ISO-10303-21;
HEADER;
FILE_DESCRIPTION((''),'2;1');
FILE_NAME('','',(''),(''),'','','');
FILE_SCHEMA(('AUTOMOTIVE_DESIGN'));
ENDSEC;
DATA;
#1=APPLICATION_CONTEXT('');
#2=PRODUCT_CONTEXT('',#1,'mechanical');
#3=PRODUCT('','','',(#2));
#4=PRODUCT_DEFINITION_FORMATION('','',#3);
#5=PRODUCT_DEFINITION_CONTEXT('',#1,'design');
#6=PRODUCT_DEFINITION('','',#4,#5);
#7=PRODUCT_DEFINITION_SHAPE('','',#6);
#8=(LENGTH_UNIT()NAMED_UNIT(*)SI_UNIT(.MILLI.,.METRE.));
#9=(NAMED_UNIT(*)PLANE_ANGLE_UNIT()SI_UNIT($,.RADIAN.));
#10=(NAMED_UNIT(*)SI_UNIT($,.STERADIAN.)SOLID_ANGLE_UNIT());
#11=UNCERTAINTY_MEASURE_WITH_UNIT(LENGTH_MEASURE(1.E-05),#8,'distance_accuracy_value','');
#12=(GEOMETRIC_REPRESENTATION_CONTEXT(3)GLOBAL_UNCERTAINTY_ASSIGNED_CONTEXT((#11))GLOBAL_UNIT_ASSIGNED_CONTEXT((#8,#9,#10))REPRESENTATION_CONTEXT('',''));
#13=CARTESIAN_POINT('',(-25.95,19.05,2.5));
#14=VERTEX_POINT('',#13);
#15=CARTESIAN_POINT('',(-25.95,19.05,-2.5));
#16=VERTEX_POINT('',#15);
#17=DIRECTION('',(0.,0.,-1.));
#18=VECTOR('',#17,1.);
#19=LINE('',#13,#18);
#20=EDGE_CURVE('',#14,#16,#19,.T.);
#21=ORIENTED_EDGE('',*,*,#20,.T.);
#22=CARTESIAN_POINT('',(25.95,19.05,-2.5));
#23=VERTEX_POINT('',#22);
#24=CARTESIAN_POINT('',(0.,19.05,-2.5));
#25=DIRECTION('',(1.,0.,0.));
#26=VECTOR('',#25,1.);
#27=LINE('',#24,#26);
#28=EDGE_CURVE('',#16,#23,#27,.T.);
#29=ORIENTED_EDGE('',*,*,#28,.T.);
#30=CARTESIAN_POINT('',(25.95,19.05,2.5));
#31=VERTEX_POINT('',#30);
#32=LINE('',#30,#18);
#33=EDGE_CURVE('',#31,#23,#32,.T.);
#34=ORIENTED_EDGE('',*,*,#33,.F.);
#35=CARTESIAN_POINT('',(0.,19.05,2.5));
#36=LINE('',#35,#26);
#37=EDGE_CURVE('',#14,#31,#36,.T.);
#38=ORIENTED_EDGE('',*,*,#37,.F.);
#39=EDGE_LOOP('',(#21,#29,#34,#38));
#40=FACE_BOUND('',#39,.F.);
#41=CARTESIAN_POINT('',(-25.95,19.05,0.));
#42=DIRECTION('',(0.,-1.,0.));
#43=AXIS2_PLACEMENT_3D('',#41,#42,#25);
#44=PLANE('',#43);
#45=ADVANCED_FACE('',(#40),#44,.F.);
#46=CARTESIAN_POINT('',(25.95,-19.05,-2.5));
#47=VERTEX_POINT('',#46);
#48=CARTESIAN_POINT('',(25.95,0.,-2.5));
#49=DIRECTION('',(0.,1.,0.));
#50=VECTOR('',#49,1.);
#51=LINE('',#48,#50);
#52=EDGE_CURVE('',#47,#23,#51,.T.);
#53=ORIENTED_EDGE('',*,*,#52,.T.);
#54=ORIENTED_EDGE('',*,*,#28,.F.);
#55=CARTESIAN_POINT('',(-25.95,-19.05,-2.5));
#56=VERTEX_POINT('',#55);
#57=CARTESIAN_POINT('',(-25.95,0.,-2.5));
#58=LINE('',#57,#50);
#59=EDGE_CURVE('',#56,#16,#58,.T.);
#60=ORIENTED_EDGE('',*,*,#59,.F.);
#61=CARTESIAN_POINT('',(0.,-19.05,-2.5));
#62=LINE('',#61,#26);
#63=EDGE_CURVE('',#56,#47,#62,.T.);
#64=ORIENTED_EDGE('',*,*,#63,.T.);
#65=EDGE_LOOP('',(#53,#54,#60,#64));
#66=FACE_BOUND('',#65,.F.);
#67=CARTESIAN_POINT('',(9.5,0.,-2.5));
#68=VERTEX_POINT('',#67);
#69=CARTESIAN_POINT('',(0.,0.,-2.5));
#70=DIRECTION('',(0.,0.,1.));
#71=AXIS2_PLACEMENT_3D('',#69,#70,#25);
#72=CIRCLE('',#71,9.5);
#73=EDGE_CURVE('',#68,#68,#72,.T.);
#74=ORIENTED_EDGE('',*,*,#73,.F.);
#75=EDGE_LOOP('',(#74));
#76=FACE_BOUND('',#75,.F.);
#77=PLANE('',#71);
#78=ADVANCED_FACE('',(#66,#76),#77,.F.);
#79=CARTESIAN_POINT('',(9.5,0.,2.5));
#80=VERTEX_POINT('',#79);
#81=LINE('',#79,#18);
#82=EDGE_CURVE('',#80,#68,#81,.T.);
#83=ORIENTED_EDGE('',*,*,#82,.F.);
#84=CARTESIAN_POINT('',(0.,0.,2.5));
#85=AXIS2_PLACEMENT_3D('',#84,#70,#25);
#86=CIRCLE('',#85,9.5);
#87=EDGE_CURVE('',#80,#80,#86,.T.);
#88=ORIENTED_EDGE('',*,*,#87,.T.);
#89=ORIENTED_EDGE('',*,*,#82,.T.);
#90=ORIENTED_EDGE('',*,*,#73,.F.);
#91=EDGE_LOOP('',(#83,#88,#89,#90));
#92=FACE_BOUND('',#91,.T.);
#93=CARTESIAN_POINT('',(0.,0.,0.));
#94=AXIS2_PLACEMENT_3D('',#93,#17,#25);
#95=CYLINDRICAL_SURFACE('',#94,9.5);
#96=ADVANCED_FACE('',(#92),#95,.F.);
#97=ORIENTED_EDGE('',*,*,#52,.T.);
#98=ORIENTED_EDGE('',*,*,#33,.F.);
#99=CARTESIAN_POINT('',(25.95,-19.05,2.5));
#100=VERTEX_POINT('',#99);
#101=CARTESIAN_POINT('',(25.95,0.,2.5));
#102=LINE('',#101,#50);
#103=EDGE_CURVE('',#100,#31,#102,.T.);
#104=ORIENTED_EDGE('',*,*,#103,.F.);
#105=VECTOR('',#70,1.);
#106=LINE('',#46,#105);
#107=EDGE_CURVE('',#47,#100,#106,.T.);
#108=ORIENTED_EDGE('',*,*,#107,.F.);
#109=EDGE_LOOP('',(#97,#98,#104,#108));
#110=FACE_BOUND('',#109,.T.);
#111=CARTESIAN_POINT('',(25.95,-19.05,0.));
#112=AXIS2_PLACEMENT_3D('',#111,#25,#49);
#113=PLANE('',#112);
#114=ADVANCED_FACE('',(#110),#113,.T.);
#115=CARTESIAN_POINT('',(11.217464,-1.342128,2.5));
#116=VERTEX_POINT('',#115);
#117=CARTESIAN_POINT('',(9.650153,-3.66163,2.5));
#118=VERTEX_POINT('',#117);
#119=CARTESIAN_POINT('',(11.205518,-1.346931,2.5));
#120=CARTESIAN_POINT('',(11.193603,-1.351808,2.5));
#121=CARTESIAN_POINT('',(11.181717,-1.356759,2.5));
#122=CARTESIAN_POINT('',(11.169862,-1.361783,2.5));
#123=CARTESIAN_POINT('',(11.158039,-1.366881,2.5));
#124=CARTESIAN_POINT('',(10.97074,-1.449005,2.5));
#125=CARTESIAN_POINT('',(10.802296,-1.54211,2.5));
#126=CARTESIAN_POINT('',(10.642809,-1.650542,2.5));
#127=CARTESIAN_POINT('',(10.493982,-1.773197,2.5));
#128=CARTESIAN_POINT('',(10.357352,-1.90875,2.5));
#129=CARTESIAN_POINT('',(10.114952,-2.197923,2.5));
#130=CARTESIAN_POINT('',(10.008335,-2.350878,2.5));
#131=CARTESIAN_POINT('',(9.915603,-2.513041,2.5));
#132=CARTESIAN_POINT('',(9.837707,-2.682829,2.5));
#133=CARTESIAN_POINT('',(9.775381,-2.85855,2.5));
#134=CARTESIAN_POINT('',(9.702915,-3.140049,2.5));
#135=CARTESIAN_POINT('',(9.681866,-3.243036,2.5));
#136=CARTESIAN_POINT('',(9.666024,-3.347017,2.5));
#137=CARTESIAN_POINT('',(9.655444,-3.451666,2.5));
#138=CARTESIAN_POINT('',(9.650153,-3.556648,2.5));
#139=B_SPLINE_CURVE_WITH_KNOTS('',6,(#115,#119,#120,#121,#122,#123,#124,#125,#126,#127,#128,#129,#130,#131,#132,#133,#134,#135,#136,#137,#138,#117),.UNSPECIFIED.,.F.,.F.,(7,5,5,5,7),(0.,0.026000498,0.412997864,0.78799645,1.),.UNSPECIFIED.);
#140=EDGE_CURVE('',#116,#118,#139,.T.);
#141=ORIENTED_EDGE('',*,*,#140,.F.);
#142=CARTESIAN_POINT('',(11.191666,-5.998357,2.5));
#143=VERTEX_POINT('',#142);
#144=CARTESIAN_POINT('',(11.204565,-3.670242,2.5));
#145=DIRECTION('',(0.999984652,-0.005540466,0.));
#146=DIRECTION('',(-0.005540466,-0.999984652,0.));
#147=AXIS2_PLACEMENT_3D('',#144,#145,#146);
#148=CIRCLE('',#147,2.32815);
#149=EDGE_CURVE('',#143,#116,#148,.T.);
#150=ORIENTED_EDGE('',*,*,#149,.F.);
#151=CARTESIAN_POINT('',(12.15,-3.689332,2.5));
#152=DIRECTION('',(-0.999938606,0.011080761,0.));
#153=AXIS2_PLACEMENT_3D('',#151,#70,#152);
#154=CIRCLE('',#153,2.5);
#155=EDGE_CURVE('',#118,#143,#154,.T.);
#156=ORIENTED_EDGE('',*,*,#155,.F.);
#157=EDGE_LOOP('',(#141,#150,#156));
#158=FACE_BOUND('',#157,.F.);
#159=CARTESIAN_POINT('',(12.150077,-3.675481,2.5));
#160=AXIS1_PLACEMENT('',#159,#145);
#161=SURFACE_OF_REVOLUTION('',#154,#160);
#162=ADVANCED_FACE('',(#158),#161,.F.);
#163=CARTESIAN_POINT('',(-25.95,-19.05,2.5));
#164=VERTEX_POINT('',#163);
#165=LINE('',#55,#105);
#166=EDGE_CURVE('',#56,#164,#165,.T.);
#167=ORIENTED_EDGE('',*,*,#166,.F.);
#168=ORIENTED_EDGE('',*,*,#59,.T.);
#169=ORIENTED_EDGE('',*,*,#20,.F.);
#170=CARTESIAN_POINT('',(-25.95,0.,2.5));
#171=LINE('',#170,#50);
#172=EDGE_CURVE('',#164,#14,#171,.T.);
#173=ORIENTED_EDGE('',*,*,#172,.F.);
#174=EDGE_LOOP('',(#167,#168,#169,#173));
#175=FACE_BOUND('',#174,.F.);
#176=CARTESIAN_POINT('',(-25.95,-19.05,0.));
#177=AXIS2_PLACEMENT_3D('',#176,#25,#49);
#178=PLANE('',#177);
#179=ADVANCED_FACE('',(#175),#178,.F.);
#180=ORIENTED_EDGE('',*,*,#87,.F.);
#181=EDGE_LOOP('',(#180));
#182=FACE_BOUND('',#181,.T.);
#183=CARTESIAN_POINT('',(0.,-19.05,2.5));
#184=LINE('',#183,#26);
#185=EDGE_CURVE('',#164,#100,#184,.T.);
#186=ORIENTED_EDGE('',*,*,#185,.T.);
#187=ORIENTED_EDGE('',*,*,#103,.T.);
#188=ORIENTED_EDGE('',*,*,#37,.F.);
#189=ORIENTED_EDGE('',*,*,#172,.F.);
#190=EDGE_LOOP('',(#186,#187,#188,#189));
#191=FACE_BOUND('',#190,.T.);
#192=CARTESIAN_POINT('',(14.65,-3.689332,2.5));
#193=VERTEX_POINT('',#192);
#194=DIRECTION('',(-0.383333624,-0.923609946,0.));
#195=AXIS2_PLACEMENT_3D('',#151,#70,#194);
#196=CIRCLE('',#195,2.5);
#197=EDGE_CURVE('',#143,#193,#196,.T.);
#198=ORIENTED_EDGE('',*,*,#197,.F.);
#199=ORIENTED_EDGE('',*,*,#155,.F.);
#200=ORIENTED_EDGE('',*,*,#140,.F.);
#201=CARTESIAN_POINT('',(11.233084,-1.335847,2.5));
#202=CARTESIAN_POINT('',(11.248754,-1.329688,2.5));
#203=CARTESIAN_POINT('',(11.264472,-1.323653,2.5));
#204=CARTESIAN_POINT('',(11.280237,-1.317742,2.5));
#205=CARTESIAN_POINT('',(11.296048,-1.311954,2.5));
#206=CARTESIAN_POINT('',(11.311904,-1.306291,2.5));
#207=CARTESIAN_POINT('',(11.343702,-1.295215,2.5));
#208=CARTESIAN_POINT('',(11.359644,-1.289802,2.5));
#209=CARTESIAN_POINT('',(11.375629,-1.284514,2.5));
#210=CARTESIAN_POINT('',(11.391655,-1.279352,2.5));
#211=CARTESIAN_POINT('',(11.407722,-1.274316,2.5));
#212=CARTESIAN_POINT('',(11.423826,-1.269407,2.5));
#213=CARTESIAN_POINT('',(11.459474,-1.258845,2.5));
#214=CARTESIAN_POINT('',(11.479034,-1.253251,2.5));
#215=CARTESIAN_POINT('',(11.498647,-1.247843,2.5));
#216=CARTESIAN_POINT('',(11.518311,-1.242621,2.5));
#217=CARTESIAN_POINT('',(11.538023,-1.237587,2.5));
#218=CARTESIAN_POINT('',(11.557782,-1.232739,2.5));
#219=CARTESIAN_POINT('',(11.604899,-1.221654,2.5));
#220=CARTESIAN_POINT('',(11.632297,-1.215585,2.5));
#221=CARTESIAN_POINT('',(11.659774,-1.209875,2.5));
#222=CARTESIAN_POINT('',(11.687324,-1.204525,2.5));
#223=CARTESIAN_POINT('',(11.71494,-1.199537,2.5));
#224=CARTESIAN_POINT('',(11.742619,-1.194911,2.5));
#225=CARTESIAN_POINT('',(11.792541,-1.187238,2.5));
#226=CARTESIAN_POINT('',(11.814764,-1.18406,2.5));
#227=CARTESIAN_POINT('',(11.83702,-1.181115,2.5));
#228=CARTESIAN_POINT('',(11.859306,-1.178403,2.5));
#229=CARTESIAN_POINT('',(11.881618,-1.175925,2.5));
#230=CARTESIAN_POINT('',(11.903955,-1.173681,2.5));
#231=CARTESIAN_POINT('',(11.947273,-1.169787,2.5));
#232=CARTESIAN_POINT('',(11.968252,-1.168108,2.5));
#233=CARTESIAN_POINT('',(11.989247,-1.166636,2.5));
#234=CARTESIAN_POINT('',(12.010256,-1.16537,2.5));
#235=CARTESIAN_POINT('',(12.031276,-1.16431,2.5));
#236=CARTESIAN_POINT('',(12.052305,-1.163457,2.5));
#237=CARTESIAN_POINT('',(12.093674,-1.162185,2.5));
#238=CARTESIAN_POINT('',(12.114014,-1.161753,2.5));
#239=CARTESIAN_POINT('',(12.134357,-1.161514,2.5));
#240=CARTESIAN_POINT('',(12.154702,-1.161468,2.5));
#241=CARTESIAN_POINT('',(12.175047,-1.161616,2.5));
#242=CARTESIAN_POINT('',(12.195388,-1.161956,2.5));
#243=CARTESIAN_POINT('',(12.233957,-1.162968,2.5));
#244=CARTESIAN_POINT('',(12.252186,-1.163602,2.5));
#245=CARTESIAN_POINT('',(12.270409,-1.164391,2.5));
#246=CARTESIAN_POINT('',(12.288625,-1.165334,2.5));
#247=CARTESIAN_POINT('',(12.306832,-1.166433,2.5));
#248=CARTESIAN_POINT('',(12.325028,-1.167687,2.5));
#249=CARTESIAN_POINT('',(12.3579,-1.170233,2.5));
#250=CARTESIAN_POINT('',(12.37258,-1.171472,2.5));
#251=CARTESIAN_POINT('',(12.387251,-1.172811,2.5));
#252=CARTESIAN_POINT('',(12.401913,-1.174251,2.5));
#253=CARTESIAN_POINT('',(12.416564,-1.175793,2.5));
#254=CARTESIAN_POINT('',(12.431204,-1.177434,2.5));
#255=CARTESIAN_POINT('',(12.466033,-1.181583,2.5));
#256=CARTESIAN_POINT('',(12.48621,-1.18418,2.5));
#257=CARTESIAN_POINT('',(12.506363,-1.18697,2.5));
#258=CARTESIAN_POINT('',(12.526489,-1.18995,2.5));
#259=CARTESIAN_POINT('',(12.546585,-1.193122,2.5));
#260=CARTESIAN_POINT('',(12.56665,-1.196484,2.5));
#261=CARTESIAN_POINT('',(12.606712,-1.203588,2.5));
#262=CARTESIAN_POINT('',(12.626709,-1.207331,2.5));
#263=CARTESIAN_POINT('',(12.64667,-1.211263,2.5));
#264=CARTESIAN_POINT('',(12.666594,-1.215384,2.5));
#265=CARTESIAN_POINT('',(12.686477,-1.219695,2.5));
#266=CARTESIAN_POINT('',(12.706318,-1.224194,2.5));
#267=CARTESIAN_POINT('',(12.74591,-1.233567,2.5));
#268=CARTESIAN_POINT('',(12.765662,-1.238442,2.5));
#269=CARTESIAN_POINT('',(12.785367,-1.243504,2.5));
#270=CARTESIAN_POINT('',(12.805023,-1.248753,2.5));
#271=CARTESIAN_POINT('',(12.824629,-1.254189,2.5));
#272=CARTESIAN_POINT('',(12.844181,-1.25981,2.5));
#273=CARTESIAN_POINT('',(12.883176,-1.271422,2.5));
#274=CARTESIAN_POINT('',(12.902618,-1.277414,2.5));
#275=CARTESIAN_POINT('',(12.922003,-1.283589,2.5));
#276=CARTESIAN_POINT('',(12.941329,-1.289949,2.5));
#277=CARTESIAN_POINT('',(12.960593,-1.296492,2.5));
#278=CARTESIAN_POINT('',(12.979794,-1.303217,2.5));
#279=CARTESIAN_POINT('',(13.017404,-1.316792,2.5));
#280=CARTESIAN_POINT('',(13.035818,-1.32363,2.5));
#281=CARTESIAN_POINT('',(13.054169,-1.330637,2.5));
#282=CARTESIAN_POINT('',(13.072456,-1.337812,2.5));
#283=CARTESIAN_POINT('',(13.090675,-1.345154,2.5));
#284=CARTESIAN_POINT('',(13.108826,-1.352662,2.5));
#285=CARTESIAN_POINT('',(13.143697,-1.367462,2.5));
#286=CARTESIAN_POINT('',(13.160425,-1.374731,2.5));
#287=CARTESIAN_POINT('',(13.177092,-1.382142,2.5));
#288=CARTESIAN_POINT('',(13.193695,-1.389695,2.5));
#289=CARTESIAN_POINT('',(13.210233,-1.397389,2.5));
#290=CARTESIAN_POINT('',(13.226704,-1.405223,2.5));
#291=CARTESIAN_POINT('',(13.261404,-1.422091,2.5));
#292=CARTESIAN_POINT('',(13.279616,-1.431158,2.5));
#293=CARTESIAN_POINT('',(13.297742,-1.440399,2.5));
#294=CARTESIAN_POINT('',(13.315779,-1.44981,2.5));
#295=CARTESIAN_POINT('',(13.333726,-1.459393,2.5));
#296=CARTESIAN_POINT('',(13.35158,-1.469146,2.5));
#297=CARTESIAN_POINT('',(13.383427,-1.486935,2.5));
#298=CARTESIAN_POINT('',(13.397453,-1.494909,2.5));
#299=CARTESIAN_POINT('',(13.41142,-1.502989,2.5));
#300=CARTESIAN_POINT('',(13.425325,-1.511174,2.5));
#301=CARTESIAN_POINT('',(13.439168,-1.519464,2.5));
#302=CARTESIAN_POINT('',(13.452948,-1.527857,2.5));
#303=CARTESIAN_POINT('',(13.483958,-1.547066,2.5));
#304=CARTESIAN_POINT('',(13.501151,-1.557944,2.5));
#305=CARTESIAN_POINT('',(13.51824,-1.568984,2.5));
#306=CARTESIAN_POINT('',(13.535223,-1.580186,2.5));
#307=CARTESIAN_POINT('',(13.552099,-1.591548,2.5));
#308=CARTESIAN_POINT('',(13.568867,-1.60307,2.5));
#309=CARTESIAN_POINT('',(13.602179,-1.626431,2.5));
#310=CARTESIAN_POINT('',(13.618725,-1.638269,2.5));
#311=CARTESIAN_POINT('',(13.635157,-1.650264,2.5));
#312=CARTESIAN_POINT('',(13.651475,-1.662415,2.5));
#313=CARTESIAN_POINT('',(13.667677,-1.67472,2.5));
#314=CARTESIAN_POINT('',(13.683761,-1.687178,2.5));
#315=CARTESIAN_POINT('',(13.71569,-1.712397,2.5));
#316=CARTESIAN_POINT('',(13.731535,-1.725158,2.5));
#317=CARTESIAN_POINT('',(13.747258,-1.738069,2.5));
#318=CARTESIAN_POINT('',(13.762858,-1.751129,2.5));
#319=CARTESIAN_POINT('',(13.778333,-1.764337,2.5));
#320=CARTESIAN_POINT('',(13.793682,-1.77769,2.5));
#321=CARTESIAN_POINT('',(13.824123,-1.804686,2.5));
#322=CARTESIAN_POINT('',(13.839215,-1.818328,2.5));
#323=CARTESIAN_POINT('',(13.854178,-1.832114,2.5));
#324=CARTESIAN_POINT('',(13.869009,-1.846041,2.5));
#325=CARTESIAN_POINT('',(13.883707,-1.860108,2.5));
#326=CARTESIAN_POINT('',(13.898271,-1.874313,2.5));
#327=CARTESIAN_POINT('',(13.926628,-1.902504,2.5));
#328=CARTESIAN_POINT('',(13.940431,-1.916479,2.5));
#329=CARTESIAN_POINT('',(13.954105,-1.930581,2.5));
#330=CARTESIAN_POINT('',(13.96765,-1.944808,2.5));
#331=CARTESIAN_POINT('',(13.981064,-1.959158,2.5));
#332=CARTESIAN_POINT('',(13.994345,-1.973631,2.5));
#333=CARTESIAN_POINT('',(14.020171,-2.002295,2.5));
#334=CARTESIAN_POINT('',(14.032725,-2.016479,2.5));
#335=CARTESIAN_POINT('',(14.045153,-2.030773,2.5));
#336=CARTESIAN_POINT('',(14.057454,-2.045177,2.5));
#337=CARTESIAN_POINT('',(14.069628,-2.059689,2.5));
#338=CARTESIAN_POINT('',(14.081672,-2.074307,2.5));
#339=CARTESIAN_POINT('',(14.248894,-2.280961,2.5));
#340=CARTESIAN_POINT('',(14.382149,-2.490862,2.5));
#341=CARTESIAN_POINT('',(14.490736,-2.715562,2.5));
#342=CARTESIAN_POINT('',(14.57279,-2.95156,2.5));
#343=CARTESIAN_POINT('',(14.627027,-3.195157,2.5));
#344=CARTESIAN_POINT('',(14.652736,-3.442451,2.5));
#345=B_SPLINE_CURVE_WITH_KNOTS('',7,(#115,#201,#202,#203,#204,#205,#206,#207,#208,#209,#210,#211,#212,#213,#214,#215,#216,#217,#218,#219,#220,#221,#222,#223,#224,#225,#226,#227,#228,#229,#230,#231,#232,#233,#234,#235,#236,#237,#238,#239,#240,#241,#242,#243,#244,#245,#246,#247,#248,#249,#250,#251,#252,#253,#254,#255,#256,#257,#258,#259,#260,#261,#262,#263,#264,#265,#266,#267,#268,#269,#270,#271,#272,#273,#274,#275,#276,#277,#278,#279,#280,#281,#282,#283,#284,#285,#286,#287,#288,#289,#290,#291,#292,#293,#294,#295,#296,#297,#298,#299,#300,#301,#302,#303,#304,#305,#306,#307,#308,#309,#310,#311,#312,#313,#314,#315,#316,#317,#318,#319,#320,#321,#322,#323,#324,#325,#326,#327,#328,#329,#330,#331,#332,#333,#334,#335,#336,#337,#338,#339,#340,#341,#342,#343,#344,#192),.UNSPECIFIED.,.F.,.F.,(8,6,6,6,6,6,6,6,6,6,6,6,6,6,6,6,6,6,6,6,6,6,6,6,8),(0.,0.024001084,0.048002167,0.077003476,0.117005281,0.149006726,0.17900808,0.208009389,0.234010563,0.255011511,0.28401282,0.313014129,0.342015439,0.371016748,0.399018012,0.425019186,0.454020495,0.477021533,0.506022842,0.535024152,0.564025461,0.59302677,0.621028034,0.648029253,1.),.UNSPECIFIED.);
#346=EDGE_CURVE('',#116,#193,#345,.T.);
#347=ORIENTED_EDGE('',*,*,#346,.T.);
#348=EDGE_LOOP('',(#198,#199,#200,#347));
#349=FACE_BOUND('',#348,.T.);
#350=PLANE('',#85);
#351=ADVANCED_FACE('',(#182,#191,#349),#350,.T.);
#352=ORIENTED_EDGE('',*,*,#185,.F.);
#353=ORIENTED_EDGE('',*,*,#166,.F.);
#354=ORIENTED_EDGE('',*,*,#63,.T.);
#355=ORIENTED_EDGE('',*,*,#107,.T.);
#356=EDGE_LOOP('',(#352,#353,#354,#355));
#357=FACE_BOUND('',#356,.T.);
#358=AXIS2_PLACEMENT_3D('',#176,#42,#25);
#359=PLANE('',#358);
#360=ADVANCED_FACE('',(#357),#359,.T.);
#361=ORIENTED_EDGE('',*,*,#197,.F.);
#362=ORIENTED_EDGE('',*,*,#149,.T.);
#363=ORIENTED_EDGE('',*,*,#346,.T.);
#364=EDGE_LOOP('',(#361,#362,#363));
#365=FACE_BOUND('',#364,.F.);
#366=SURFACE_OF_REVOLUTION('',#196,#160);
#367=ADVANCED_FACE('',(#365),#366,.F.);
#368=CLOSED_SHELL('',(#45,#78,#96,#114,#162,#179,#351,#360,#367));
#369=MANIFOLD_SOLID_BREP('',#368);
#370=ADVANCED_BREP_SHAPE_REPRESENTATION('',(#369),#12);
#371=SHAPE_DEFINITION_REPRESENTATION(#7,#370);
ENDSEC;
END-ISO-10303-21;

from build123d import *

# Parameters (mm, degrees)
F0_W     = 51.9
F0_H     = 38.1
F0_R     = 9.5
F1_DEPTH = 2.5


with BuildPart() as f1:
    # F0 (on Top) → F1 (new body, symmetric)
    with BuildSketch(Plane.XY):
        Rectangle(F0_W, F0_H)
        Circle(F0_R, mode=Mode.SUBTRACT)
    extrude(amount=F1_DEPTH, both=True)

    # F2 (on face) → F3 (revolve, cut)
    with BuildSketch(Plane.XY.offset(2.5)):
        with BuildLine():
            Line((14.65, -3.6893317878), (12.1541903113, -3.6755036277))
            ThreePointArc((12.1541903113, -3.6755036277), (11.7305653131, -4.8608133553), (11.1916659396, -5.9983566531))
            ThreePointArc((11.1916659396, -5.9983566531), (13.5381939434, -5.768494498), (14.65, -3.6893317878))
        make_face()
        with BuildLine():
            ThreePointArc((11.1916659396, -5.9983566531), (11.7305653131, -4.8608133553), (12.1541903113, -3.6755036277))
            Line((12.1541903113, -3.6755036277), (9.6501534838, -3.6616298846))
            ThreePointArc((9.6501534838, -3.6616298846), (10.0631779609, -5.0659848949), (11.1916659396, -5.9983566531))
        make_face()
    revolve(axis=Axis((12.1500767419, -3.6754808362, 2.5), (0.9999846515, -0.0055404657, 0)), mode=Mode.SUBTRACT)


solid = f1.part
